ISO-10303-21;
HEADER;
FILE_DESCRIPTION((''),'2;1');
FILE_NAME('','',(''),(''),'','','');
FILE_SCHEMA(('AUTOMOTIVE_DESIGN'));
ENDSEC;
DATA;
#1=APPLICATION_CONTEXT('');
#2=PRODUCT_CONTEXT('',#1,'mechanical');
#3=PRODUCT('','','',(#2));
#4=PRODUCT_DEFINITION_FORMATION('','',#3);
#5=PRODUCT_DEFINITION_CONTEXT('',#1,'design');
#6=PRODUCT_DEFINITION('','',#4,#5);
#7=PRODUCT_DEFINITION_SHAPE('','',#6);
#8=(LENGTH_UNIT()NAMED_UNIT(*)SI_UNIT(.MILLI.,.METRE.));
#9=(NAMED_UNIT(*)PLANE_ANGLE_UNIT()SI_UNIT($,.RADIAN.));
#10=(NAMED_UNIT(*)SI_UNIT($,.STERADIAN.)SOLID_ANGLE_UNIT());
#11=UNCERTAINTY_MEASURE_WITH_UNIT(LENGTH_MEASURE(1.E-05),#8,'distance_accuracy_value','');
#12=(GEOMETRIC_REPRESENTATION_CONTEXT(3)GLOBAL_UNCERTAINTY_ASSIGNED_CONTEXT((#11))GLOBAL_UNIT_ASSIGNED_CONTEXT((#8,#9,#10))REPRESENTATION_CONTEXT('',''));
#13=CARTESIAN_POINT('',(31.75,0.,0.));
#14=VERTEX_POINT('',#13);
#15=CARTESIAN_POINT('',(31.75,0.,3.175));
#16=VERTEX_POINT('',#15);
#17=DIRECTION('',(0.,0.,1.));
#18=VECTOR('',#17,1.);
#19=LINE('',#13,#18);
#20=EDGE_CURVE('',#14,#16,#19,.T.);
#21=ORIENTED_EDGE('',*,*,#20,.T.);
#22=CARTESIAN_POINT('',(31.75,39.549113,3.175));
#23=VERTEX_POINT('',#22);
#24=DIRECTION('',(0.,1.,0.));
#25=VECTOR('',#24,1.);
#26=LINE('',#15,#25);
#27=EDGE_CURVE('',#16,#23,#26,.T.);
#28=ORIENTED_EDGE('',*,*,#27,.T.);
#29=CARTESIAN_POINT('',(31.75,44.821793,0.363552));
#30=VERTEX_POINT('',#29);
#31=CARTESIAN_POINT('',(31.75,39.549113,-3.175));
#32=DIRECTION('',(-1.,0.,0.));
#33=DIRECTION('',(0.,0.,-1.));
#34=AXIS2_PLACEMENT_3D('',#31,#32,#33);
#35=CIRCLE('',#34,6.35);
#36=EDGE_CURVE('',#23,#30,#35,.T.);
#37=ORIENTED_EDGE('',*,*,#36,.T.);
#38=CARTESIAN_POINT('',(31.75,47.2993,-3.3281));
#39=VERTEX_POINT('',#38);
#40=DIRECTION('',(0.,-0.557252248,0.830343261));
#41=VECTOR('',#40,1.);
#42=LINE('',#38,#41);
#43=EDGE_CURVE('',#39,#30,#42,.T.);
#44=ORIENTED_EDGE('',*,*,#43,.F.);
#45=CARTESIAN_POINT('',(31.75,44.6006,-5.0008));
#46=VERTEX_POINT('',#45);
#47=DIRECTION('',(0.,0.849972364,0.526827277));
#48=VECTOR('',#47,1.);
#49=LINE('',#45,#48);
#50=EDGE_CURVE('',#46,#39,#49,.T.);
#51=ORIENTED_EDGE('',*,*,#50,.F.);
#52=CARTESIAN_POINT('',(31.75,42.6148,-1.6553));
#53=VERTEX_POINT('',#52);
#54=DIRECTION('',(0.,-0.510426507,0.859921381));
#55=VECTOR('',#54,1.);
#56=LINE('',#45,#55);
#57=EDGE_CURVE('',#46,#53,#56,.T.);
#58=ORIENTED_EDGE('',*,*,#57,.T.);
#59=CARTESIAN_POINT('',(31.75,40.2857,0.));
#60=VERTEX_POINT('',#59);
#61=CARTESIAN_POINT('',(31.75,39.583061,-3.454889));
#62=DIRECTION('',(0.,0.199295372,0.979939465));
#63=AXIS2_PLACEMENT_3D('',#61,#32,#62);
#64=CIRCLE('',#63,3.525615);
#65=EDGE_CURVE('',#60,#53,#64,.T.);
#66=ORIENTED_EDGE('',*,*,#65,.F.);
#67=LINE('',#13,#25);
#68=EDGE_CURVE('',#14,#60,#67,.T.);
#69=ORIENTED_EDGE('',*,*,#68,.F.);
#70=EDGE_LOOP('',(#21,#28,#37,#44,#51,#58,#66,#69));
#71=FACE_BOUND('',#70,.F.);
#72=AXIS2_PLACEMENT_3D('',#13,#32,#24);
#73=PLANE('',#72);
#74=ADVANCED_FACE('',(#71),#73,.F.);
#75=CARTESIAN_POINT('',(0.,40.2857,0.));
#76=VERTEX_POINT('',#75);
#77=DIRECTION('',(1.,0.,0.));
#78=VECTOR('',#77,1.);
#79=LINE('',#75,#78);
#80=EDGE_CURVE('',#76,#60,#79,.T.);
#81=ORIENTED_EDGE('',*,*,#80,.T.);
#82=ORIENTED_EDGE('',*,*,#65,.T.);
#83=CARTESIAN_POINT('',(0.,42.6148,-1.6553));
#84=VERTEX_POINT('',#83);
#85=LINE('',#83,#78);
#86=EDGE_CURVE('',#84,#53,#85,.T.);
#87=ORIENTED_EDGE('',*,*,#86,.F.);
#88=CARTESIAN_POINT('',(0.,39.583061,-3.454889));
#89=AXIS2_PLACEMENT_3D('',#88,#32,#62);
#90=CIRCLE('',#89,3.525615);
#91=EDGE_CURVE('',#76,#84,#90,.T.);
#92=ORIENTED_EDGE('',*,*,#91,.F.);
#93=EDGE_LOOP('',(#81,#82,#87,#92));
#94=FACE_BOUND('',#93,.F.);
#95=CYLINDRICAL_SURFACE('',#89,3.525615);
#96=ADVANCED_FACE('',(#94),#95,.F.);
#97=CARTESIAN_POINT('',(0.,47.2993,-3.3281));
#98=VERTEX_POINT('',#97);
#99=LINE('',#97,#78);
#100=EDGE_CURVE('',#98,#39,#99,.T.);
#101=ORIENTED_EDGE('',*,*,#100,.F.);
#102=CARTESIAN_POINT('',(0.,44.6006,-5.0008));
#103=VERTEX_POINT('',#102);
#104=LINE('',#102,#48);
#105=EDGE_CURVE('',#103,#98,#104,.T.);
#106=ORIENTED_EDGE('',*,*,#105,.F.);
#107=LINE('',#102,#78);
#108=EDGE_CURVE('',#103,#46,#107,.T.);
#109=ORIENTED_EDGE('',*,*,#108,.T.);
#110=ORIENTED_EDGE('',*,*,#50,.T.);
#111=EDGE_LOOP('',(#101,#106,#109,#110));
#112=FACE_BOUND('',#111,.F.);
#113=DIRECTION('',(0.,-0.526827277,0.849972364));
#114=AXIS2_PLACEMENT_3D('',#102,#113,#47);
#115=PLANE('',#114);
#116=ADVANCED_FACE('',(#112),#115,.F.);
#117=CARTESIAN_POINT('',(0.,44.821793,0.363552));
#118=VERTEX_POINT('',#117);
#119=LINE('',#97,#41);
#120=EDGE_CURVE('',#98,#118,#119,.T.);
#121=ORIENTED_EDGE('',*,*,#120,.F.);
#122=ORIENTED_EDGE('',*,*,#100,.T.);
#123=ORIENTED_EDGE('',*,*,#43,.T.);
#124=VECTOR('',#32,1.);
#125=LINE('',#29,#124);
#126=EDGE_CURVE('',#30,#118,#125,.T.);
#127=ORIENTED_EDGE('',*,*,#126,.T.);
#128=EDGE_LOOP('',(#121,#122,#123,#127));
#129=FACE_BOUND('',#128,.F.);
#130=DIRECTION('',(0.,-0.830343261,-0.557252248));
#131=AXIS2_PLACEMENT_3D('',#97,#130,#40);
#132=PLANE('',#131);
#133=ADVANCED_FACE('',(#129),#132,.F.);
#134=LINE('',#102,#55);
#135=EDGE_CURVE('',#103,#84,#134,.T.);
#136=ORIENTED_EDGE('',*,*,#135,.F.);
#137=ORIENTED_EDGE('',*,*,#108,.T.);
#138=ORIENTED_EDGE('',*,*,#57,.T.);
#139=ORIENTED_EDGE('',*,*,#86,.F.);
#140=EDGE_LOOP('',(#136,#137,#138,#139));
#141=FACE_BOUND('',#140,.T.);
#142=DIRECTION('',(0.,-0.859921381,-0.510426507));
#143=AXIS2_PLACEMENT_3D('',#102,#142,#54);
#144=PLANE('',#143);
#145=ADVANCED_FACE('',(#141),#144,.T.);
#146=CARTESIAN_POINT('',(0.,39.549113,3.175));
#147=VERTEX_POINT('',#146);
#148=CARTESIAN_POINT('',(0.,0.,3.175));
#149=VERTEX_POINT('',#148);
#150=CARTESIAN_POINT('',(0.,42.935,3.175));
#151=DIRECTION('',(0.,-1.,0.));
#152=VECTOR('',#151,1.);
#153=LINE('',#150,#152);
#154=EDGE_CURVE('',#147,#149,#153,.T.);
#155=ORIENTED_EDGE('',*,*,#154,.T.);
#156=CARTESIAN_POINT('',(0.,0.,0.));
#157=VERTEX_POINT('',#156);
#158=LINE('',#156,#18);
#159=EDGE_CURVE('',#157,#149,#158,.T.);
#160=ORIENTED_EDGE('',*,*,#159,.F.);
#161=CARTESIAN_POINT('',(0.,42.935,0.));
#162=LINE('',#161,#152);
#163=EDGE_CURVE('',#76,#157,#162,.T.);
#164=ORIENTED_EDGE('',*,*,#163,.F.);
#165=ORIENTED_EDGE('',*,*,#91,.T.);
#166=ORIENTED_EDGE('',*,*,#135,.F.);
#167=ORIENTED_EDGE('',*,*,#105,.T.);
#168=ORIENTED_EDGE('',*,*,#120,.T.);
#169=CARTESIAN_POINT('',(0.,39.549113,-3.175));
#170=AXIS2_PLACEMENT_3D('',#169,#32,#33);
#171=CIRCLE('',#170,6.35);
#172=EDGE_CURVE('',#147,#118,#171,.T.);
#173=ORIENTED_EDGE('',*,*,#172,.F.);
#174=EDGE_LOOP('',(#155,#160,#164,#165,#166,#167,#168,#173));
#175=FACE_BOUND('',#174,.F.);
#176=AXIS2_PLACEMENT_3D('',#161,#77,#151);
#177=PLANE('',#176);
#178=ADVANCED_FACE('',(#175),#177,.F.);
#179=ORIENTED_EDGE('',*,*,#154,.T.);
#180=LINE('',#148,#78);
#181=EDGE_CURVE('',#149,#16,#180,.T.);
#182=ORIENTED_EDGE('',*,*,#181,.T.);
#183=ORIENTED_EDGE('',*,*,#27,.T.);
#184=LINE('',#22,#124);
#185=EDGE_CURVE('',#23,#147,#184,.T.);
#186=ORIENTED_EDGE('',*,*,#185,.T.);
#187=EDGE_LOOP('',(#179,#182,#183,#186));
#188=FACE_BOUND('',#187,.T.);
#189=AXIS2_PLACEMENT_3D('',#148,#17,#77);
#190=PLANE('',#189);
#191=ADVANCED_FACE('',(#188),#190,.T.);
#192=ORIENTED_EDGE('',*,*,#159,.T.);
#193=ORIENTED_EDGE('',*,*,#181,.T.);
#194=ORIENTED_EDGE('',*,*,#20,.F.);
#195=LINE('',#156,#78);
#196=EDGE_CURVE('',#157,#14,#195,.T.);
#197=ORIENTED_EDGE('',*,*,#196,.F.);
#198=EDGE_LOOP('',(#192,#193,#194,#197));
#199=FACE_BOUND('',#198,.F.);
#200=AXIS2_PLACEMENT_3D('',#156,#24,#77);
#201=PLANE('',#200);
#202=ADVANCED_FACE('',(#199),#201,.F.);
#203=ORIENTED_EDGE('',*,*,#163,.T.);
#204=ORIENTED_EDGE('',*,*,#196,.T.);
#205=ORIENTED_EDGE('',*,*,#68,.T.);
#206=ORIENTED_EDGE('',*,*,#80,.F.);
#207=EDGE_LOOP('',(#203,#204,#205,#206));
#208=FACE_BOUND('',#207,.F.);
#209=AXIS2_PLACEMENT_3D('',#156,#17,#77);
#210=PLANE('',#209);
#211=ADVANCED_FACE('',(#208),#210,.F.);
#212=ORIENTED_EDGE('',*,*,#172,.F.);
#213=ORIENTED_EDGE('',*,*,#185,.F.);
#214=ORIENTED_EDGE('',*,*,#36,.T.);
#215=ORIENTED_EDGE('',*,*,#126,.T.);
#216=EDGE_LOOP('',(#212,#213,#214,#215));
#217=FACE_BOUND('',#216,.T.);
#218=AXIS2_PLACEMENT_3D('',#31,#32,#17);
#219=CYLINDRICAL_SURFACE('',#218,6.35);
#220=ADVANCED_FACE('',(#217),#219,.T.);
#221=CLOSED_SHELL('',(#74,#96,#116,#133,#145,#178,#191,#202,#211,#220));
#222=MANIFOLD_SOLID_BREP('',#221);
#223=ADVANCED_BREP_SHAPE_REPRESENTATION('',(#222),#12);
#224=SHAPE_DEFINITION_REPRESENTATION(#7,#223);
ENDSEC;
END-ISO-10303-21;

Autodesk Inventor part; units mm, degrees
ref_plane "YZ Plane" through (0, 0, 0) normal (1, 0, 0) x (0, 1, 0)
ref_plane "XZ Plane" through (0, 0, 0) normal (0, 1, 0) x (-1, 0, 0)
ref_plane "XY Plane" through (0, 0, 0) normal (0, 0, 1) x (1, 0, 0)
sketch "Sketch1" plane through (0, 0, 0) normal (0, 0, 1) x (1, 0, 0)
  line L0 (0, 0) -> (31.75, 0)
  line L1 (31.75, 0) -> (31.75, 42.935)
  line L2 (31.75, 42.935) -> (0, 42.935)
  line L3 (0, 42.935) -> (0, 0)
  dimension "d0" = 31.75
extrude "Extrusion1" add sketch "Sketch1" along normal blind 3.175
sketch "Sketch2" plane through (0, 0, 0) normal (-1, 0, 0) x (0, 0, 1)
  line L0 (-5.0008, 44.6006) -> (-1.6553, 42.6148)
  arc A0 (0, 40.2857) -> (-1.6553, 42.6148) centre (-3.4548, 39.5831) ccw
  line L1 (-5.0008, 44.6006) -> (-3.3281, 47.2993)
  line L2 (3.175, 0) -> (3.175, 42.935) projected
  line L3 (-3.3281, 47.2993) -> (3.175, 42.935)
  line L4 (0, 0) -> (0, 42.935) projected
  line L5 (0, 40.2857) -> (0, 42.935)
  line L6 (0, 42.935) -> (3.175, 42.935)
  dimension "d3" = 3.175
extrude "Extrusion2" add sketch "Sketch2" against normal blind 31.75
fillet "Fillet1" radius 6.35 1 edges at (15.875, 42.935, 3.175)
properties part number "slide plate"
